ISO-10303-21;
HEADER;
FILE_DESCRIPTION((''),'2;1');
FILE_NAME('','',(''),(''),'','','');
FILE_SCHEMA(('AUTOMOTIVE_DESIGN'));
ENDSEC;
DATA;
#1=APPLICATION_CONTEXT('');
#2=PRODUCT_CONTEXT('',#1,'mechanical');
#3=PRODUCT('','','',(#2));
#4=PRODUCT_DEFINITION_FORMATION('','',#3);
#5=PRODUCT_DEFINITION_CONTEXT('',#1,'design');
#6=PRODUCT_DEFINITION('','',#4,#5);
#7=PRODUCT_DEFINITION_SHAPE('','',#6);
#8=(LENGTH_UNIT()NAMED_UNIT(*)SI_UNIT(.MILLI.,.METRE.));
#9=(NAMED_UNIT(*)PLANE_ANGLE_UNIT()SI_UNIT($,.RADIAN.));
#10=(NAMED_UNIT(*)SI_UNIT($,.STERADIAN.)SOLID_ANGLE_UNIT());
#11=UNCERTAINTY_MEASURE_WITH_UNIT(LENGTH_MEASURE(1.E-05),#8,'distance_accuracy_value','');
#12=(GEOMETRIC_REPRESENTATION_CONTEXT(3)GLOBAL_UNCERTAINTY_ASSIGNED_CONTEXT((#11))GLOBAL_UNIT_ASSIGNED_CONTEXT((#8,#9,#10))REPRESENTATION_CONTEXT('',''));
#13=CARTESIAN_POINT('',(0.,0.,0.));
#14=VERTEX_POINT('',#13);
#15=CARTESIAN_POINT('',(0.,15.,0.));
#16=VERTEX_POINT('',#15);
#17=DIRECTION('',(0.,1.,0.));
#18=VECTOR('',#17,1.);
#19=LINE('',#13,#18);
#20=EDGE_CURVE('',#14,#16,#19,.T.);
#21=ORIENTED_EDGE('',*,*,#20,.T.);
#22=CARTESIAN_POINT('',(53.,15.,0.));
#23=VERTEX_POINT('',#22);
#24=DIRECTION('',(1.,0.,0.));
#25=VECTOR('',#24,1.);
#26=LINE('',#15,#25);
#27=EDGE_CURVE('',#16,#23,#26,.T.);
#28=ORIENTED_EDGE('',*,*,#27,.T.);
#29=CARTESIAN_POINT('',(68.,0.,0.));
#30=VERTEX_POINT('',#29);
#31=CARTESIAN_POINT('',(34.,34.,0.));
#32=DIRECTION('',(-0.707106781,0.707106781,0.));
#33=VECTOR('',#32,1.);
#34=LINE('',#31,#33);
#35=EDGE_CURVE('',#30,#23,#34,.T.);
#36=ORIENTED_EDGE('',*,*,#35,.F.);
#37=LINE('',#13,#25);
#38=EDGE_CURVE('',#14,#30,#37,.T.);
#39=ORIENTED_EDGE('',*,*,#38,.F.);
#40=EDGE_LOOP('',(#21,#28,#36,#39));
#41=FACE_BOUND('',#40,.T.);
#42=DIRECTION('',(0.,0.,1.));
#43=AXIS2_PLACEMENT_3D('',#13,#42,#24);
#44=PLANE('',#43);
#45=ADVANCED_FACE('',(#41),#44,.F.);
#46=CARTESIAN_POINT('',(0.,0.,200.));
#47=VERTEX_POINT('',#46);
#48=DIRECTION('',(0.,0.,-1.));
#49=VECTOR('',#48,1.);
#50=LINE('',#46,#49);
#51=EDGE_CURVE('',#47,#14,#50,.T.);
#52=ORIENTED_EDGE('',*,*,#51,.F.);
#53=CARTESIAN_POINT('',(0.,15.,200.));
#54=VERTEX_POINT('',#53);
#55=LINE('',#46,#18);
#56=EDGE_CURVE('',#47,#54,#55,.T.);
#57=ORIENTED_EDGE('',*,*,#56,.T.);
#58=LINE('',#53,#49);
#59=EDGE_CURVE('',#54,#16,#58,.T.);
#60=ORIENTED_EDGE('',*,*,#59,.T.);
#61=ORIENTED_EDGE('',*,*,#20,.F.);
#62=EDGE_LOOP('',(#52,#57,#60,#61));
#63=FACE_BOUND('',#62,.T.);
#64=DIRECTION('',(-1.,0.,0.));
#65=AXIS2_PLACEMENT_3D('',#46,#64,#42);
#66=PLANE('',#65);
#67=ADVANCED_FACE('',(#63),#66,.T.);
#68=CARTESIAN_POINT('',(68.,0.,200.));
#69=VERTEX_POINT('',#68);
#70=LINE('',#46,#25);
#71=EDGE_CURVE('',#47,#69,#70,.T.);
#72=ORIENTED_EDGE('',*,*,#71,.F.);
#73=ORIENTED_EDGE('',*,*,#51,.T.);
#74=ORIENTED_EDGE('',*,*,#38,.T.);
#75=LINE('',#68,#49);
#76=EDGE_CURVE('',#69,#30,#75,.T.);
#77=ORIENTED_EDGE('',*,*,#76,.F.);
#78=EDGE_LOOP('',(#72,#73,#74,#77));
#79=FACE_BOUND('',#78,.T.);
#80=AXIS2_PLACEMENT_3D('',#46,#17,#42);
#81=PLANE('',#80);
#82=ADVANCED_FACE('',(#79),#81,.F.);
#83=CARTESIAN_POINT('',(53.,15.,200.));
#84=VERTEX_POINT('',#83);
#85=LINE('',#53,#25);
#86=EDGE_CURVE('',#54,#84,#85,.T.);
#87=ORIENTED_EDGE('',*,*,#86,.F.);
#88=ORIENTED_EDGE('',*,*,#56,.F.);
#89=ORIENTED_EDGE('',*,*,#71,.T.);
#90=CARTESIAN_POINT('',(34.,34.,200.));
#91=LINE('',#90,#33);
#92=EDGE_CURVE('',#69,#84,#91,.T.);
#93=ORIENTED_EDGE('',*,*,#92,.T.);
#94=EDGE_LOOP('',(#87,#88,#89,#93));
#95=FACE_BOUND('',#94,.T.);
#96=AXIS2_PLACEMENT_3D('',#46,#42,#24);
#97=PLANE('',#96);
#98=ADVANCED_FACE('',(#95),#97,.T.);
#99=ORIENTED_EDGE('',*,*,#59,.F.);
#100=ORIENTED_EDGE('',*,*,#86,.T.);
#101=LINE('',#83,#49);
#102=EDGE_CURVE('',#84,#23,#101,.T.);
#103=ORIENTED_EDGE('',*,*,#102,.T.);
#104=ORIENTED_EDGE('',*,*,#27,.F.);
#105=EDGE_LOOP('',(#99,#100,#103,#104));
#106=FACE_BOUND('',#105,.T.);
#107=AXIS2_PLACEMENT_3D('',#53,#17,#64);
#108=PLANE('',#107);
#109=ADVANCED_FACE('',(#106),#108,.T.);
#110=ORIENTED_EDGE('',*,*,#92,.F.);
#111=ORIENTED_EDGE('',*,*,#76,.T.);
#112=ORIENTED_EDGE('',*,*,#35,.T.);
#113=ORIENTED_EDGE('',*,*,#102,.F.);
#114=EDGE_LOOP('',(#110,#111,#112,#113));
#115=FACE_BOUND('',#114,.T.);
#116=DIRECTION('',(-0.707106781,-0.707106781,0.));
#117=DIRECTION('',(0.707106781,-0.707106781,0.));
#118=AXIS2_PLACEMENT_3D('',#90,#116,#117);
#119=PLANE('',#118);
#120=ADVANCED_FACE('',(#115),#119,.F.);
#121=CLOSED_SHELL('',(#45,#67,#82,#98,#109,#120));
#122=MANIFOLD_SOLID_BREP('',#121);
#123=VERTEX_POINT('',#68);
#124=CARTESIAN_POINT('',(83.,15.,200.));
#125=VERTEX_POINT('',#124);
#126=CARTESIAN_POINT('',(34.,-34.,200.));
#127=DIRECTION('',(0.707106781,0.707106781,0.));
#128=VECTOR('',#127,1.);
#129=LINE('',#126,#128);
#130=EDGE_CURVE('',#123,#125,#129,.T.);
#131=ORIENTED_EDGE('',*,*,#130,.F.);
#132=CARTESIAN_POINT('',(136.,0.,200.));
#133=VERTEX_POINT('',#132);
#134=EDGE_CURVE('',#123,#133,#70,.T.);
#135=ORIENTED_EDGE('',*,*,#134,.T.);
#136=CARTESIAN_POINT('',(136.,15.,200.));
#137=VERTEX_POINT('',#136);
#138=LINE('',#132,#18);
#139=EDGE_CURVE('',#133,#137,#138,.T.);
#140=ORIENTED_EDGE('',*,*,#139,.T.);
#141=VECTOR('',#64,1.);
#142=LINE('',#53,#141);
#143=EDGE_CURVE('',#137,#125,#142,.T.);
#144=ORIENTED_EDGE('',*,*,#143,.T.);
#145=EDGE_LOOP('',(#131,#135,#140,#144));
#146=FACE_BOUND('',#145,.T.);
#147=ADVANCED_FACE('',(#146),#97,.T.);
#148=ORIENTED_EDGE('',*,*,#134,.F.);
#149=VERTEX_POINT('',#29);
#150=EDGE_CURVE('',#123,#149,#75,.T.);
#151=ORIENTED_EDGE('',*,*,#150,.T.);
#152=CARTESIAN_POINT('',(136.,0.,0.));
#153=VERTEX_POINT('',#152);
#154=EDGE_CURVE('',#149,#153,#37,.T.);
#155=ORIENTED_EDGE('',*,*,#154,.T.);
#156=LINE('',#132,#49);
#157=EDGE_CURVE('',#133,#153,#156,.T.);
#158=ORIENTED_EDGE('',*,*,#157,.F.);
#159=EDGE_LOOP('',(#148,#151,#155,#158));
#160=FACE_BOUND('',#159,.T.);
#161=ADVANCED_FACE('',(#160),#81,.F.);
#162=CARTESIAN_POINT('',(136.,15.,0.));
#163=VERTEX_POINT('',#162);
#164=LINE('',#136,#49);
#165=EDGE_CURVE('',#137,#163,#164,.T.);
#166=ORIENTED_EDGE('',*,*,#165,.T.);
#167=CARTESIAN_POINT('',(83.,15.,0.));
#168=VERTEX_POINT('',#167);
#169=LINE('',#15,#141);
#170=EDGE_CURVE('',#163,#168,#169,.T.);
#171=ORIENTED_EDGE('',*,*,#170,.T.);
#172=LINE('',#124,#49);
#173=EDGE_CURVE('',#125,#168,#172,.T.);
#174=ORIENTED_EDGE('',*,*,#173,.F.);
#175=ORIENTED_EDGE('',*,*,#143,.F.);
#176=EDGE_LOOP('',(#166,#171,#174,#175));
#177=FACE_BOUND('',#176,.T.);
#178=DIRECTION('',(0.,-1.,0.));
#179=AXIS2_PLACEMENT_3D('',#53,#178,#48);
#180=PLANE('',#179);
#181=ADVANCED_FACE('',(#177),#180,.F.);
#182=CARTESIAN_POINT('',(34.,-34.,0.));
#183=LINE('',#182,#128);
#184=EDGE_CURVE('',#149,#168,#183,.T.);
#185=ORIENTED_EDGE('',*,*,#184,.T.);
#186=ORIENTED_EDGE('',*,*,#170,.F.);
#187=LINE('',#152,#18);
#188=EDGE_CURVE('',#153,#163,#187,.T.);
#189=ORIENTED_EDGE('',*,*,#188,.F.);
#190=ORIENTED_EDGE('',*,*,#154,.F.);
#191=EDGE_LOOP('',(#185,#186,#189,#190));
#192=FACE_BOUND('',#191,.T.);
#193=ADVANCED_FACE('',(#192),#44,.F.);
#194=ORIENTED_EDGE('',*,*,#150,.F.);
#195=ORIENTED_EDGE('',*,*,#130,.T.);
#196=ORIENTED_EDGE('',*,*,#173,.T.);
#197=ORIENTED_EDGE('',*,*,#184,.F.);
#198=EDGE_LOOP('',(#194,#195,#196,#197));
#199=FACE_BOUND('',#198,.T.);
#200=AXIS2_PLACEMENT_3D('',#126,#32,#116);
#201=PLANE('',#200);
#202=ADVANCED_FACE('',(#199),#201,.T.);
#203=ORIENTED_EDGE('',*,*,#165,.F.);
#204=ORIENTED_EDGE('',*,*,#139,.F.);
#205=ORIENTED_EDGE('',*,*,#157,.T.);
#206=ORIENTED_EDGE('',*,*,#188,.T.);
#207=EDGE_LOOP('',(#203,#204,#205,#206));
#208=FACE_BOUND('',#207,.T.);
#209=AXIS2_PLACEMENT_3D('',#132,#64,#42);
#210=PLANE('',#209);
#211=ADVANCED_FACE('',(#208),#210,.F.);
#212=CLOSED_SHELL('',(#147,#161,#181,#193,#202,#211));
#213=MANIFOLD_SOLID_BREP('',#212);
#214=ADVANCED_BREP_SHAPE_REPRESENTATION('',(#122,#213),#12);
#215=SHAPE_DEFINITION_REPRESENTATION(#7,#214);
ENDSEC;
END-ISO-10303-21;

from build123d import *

# Parameters (mm, degrees)
BOSS_EXTRUDE1_DEPTH   = 200
BOSS_EXTRUDE1_2_DEPTH = 200


with BuildPart() as part:
    # Sketch1 → Boss-Extrude1 (new body)
    with BuildSketch(Plane.XY):
        Polygon((0, 15), (0, 0), (68, 0), (53, 15), align=None)
    extrude(amount=BOSS_EXTRUDE1_DEPTH)


with BuildPart() as body_2:
    # Sketch1 → Boss-Extrude1 2 (new body)
    with BuildSketch(Plane.XY):
        Polygon((83, 15), (68, 0), (136, 0), (136, 15), align=None)
    extrude(amount=BOSS_EXTRUDE1_2_DEPTH)


solid = Compound([part.part, body_2.part])
